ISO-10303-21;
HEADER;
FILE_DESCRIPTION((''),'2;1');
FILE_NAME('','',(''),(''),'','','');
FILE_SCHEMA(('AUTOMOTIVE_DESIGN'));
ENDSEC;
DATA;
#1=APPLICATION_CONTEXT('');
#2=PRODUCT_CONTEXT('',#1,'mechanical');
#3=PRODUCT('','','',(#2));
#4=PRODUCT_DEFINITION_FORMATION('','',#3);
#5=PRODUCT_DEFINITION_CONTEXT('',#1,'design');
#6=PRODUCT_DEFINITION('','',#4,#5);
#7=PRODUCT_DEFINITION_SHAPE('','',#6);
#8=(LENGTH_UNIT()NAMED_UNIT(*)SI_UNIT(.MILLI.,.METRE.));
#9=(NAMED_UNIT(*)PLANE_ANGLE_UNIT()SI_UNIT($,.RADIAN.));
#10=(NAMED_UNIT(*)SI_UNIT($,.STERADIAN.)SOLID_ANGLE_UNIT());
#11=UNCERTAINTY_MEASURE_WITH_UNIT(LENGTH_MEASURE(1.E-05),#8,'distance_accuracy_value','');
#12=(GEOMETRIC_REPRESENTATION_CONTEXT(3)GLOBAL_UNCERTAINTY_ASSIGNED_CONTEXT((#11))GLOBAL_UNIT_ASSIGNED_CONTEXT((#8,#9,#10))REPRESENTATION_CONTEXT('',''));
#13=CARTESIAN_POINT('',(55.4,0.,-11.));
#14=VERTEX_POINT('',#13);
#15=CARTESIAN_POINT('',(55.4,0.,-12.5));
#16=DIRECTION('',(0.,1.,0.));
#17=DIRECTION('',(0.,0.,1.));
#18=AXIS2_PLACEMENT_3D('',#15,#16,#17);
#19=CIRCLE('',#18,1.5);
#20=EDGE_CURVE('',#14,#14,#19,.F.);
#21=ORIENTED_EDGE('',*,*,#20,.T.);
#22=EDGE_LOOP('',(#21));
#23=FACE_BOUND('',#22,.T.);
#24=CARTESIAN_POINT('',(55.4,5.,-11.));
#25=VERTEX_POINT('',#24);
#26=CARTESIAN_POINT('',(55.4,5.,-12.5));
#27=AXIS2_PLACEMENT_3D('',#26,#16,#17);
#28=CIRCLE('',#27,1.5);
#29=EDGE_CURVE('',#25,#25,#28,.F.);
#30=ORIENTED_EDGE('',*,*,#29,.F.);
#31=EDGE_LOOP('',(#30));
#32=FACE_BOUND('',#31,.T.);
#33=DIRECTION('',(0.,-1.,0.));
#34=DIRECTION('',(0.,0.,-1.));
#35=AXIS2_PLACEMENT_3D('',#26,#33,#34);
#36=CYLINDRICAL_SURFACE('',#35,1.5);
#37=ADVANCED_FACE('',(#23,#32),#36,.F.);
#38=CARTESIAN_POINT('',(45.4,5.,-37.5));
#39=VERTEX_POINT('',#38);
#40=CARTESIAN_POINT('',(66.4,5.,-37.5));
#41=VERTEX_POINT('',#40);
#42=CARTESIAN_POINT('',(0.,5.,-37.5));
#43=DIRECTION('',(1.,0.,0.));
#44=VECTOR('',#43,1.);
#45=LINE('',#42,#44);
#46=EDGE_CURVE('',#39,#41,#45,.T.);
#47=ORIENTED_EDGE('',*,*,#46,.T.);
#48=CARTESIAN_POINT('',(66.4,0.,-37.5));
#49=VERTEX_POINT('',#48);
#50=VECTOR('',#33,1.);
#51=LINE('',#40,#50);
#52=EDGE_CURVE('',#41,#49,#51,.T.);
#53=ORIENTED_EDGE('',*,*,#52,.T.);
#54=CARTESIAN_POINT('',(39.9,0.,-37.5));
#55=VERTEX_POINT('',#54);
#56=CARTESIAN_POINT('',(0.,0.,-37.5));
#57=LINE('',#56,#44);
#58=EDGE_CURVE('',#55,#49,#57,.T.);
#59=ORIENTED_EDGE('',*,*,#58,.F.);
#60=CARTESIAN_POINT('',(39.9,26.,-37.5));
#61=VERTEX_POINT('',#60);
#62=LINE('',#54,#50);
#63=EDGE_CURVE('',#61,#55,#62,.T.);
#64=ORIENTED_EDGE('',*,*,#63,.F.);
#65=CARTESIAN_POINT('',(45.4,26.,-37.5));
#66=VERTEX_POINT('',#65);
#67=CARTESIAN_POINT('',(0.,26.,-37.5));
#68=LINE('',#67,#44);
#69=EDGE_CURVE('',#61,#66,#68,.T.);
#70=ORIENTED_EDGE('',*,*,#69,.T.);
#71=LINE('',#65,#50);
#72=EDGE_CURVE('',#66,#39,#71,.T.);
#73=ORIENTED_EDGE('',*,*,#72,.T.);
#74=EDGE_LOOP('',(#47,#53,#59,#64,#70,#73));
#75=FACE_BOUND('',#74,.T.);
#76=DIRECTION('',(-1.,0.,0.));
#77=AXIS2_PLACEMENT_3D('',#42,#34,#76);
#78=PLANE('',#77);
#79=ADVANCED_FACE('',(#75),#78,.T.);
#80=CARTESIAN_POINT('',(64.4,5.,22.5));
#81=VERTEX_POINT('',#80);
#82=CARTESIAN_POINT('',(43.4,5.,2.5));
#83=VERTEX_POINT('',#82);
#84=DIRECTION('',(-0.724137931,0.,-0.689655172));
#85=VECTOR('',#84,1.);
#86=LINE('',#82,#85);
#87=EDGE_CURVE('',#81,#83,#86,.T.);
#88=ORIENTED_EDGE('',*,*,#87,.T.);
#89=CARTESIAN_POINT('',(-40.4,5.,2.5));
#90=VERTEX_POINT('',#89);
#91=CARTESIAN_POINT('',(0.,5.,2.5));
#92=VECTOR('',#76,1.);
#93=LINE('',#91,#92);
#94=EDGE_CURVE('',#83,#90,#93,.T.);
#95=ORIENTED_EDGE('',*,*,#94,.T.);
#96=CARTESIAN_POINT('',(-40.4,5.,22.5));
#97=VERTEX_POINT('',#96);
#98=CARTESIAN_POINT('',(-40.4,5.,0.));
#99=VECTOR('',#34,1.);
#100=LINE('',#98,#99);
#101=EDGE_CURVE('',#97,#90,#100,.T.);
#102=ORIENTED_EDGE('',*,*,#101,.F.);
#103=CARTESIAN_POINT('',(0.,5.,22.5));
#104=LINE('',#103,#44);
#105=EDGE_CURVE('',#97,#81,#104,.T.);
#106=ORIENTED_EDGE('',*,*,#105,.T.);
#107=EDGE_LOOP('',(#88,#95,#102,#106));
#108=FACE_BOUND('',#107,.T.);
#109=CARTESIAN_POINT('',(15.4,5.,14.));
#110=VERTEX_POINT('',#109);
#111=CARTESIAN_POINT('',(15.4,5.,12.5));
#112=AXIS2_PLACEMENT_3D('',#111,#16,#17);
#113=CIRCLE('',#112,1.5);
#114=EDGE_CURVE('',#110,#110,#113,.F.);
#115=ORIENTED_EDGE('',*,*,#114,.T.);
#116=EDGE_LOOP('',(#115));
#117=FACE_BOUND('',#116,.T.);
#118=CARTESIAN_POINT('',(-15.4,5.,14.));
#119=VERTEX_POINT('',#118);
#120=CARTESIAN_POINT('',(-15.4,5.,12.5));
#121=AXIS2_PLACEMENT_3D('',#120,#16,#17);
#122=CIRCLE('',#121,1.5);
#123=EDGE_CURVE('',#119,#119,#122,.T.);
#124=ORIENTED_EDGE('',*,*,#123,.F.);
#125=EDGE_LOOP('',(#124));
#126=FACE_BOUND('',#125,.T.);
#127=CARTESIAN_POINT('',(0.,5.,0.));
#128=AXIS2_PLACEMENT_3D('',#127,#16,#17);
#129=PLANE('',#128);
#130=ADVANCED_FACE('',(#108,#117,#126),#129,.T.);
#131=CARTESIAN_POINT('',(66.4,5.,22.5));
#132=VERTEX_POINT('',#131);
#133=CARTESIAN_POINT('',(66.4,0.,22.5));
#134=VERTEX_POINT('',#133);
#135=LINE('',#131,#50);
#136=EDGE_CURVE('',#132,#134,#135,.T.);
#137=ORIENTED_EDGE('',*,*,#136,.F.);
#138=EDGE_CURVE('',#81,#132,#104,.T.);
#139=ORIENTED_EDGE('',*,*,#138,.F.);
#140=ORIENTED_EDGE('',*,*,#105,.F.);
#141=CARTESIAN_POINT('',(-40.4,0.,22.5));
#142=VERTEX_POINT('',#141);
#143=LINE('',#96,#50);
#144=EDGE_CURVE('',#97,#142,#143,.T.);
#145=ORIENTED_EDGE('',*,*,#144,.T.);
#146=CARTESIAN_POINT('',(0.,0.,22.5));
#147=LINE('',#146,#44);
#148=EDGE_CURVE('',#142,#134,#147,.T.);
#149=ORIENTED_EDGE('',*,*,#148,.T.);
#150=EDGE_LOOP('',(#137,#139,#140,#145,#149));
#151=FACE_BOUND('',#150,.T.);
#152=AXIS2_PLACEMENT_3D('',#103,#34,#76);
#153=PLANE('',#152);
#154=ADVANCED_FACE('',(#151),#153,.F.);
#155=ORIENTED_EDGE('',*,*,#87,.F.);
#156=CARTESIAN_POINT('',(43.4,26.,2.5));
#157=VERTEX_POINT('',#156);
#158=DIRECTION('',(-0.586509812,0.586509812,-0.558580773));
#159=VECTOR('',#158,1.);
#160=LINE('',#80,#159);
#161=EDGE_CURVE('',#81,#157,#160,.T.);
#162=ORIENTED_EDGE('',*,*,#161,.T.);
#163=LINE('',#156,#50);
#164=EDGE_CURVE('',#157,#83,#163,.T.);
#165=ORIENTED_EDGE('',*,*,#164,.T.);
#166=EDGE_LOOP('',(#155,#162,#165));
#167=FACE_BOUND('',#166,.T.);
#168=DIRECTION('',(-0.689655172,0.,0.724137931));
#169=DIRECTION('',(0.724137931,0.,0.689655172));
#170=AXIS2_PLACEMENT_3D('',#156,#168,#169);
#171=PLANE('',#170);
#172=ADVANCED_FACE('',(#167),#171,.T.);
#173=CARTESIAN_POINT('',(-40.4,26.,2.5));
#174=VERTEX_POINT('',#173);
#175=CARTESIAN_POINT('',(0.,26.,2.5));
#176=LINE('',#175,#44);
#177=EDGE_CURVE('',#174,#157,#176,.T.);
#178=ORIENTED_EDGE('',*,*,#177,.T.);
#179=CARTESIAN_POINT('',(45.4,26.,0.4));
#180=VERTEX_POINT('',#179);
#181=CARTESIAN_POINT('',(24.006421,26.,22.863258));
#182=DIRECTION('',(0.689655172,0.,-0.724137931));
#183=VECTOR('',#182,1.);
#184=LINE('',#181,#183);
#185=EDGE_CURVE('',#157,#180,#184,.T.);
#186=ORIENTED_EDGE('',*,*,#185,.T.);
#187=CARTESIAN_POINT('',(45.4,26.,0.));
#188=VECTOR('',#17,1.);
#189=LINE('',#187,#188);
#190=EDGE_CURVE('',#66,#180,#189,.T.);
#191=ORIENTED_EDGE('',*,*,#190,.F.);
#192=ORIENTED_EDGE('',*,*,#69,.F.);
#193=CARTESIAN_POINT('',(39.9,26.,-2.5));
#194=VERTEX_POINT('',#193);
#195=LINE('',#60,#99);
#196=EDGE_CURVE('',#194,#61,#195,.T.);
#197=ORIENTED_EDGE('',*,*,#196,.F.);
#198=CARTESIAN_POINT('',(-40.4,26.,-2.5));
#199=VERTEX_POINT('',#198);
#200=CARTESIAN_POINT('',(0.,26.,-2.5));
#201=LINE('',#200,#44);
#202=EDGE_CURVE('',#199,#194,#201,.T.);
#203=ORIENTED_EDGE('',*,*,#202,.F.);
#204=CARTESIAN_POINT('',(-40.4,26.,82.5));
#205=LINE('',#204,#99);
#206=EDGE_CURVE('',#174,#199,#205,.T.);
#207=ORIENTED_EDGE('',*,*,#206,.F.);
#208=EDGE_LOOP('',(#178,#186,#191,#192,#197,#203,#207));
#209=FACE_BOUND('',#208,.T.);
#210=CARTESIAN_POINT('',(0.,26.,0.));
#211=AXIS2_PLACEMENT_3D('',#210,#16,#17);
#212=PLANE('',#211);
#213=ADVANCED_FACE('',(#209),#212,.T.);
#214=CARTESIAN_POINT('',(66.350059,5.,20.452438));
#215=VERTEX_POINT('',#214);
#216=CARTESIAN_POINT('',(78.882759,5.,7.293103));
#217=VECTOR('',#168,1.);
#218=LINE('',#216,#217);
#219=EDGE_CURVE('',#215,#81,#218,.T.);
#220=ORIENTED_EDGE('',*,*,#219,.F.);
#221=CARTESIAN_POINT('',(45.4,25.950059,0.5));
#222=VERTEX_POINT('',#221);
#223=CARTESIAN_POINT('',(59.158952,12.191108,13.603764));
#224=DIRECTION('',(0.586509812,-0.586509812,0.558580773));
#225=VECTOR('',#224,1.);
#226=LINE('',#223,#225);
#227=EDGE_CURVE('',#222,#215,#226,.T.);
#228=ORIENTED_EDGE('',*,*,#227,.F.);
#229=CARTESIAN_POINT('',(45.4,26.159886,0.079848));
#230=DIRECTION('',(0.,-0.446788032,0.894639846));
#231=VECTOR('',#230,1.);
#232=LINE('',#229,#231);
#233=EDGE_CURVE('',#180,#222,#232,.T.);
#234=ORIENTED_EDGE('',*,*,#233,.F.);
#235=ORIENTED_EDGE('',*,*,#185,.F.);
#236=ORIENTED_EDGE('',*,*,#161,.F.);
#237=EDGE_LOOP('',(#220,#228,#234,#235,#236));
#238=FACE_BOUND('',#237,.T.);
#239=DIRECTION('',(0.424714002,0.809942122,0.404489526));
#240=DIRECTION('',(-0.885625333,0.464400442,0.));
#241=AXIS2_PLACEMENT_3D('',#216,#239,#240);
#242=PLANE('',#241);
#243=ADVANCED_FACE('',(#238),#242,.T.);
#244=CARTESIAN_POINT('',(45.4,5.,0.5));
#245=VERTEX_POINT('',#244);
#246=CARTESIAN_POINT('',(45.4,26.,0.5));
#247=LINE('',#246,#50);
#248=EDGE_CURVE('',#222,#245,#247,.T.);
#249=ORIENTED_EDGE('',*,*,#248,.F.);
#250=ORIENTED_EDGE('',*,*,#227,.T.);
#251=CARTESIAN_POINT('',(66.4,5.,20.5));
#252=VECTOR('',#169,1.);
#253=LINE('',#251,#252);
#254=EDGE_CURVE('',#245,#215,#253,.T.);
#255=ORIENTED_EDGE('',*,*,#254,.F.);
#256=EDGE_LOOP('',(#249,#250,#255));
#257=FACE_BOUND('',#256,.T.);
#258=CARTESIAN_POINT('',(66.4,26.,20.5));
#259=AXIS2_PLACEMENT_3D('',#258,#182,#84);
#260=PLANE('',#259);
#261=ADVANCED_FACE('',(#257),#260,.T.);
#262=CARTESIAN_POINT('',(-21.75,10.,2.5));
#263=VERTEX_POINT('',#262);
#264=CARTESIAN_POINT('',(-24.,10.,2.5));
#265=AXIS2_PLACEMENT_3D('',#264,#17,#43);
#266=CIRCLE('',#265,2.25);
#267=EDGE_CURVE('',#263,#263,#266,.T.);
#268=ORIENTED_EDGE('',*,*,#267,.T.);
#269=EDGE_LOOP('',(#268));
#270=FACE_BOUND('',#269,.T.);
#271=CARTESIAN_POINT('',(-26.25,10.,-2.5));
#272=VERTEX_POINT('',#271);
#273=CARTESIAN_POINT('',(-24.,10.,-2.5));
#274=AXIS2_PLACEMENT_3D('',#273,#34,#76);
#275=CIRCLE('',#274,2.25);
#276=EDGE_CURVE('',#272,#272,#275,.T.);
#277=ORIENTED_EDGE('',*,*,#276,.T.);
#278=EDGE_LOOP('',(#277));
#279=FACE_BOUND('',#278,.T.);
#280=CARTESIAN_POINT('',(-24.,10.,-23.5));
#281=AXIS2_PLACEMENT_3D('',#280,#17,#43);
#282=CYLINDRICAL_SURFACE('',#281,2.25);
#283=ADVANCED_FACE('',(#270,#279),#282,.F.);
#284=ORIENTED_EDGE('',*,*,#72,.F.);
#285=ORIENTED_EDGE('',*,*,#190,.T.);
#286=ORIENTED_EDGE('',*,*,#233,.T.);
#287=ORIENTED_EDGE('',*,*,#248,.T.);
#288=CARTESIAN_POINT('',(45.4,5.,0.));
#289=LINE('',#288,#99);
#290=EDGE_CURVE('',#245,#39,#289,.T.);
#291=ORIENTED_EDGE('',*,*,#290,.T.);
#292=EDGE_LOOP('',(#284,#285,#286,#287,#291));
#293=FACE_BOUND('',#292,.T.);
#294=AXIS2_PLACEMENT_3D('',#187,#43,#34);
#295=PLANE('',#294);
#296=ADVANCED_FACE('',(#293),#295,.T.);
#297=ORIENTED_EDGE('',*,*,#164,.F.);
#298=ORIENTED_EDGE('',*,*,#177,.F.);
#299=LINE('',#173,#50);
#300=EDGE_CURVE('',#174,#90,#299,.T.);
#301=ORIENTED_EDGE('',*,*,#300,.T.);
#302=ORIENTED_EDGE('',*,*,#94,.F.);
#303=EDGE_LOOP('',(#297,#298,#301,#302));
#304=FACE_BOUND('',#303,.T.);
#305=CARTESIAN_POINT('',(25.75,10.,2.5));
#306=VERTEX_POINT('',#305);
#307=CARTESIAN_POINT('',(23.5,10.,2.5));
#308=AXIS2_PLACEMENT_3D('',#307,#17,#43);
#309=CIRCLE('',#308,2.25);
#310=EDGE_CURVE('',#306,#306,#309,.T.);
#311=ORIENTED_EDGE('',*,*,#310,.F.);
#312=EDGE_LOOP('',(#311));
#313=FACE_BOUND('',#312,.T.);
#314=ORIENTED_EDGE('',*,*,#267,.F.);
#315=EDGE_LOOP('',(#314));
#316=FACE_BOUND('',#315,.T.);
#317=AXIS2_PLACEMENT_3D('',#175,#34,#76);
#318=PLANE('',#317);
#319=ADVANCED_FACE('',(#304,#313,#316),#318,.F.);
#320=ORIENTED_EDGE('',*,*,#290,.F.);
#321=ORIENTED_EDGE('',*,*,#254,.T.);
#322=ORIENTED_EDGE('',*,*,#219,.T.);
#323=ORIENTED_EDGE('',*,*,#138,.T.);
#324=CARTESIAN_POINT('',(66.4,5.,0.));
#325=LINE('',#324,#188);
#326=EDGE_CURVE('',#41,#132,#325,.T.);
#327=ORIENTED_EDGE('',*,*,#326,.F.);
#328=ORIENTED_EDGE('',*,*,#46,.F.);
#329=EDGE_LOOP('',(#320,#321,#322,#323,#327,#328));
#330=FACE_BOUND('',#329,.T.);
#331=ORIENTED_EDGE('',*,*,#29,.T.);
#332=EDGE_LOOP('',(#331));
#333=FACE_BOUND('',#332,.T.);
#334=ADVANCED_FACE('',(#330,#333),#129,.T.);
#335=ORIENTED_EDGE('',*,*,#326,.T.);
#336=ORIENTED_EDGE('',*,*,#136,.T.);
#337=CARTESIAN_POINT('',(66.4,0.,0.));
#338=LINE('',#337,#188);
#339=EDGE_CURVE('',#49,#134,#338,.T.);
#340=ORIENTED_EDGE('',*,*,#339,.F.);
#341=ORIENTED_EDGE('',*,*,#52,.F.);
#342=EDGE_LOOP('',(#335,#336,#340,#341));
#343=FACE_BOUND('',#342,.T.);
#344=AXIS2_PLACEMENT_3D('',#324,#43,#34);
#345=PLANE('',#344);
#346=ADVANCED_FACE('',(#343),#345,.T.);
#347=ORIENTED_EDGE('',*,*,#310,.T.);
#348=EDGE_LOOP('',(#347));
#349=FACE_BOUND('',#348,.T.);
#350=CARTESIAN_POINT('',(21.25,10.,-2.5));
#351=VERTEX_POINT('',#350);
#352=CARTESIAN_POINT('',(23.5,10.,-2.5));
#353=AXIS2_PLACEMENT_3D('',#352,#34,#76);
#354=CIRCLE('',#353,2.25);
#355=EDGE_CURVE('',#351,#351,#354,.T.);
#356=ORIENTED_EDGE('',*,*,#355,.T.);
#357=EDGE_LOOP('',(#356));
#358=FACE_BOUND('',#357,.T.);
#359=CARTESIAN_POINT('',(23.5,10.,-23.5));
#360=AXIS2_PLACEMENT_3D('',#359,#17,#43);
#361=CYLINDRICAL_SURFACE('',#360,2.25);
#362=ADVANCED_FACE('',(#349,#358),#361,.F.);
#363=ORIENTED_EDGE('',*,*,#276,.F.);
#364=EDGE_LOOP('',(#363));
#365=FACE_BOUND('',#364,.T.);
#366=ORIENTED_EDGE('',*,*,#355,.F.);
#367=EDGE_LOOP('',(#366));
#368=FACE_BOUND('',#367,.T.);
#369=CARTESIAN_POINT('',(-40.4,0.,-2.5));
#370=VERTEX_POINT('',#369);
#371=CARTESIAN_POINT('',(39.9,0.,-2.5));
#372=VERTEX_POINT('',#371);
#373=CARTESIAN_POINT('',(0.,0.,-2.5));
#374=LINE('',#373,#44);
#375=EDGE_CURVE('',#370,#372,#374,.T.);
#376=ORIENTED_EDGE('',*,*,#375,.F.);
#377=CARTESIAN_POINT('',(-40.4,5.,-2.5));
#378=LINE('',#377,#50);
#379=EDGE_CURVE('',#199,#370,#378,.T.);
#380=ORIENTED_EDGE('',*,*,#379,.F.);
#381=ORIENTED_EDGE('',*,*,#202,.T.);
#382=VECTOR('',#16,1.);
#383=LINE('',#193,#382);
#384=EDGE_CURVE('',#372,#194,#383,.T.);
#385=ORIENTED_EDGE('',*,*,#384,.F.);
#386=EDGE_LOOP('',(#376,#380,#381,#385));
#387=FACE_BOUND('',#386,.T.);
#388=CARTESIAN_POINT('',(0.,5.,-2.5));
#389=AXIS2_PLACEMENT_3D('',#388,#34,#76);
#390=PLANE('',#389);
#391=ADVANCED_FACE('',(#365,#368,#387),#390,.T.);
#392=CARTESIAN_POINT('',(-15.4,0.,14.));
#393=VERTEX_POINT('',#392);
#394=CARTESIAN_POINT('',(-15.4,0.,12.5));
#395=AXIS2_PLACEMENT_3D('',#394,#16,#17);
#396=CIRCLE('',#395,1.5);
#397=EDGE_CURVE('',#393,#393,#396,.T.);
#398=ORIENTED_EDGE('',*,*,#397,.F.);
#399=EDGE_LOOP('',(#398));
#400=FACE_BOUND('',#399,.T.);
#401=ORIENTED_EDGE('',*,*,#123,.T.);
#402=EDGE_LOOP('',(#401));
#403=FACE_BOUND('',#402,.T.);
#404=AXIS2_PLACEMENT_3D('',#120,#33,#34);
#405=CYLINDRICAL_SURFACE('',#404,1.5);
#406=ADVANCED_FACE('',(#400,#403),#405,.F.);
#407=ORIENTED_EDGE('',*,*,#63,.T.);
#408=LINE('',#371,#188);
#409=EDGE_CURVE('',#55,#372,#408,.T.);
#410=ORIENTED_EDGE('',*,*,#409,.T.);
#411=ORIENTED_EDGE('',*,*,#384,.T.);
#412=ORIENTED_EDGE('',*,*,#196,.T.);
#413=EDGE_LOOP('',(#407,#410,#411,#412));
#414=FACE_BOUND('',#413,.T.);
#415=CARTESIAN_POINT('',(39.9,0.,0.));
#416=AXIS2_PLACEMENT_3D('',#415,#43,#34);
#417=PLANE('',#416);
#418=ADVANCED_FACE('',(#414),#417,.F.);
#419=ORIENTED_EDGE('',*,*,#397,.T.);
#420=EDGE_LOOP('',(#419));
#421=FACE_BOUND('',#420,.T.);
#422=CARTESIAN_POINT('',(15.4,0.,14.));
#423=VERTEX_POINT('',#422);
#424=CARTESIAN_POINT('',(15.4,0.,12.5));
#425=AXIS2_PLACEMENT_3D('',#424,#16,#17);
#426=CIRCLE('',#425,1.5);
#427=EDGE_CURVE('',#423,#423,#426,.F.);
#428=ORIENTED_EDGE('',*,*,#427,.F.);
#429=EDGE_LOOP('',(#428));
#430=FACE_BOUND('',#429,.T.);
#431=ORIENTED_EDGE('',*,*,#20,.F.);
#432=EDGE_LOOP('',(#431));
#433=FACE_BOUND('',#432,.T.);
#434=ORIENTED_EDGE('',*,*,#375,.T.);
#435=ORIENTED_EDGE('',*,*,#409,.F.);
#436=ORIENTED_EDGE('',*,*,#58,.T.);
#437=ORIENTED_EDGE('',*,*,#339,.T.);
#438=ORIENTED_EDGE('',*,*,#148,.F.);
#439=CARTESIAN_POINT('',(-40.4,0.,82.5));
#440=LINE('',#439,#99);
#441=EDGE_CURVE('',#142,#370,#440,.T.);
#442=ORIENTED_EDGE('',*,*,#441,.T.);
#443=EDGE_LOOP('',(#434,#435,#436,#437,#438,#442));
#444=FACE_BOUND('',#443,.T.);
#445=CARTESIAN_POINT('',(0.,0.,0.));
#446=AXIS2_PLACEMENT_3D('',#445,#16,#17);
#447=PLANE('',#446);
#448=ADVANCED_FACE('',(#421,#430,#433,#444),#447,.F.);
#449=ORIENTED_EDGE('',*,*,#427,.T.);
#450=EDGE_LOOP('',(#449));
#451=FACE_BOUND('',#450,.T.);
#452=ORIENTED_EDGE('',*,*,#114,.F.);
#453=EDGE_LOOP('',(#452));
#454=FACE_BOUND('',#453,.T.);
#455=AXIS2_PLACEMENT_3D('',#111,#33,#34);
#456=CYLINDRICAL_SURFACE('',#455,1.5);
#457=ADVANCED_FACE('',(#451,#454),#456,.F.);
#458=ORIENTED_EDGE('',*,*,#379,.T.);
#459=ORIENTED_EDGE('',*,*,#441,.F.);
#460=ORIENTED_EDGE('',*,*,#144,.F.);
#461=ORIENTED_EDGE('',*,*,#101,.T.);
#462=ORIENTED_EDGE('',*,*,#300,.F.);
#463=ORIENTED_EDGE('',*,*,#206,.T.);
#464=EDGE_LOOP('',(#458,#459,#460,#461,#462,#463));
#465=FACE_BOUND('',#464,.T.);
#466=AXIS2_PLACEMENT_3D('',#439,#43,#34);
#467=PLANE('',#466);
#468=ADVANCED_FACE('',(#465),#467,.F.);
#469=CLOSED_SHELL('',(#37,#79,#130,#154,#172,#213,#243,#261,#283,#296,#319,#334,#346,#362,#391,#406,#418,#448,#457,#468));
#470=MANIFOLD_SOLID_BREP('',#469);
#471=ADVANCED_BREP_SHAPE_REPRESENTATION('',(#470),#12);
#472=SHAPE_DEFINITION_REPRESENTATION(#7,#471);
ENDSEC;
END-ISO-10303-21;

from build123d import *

# Parameters (mm, degrees)
CROQUIS1_W              = 80.8
CROQUIS1_H              = 25
CROQUIS1_R              = 1.5
SALIENTE_EXTRUIR1_DEPTH = 5
CROQUIS1_3_W            = 80.8
CROQUIS1_3_H            = 5
SALIENTE_EXTRUIR2_DEPTH = 26
CROQUIS1_4_W            = 26
CROQUIS1_4_H            = 60
CROQUIS1_4_R            = 1.5
SALIENTE_EXTRUIR3_DEPTH = 5
CROQUIS1_5_W            = 5
CROQUIS1_5_H            = 40
SALIENTE_EXTRUIR4_DEPTH = 26
CROQUIS3_R              = 2.25
CORTAR_EXTRUIR1_DEPTH   = 26
SALIENTE_EXTRUIR5_DEPTH = 21
CORTAR_EXTRUIR2_DEPTH   = 21
CROQUIS6_W              = 37.983880197
CROQUIS6_H              = 26
CORTAR_EXTRUIR3_DEPTH   = 120
CROQUIS7_W              = 35
CROQUIS7_H              = 26
SALIENTE_EXTRUIR6_DEPTH = 0.5


with BuildPart() as part:
    # Croquis1 → Saliente-Extruir1 (new body)
    with BuildSketch(Plane(origin=(0, 0, 0), x_dir=(1, 0, 0), z_dir=(0, 1, 0))):
        with Locations((0, -10)):
            Rectangle(CROQUIS1_W, CROQUIS1_H)
        with Locations((15.4, -12.5)):
            Circle(CROQUIS1_R, mode=Mode.SUBTRACT)
        with Locations((-15.4, -12.5)):
            Circle(CROQUIS1_R, mode=Mode.SUBTRACT)
    extrude(amount=SALIENTE_EXTRUIR1_DEPTH)

    # Croquis1<3> → Saliente-Extruir2 (add)
    with BuildSketch(Plane(origin=(0, 0, 0), x_dir=(1, 0, 0), z_dir=(0, 1, 0))):
        Rectangle(CROQUIS1_3_W, CROQUIS1_3_H)
    extrude(amount=SALIENTE_EXTRUIR2_DEPTH)

    # Croquis1<4> → Saliente-Extruir3 (add)
    # profile 1 of 2: a face of its own
    with BuildSketch(Plane(origin=(0, 0, 0), x_dir=(1, 0, 0), z_dir=(0, 1, 0))):
        with Locations((-53.4, 7.5)):
            Rectangle(CROQUIS1_4_W, CROQUIS1_4_H)
        with Locations((-55.4, 12.5)):
            Circle(CROQUIS1_4_R, mode=Mode.SUBTRACT)
    # profile 2 of 2: a face of its own
    with BuildSketch(Plane(origin=(0, 0, 0), x_dir=(1, 0, 0), z_dir=(0, 1, 0))):
        with Locations((53.4, 7.5)):
            Rectangle(CROQUIS1_4_W, CROQUIS1_4_H)
        with Locations((55.4, 12.5)):
            Circle(CROQUIS1_4_R, mode=Mode.SUBTRACT)
    extrude(amount=SALIENTE_EXTRUIR3_DEPTH)

    # Croquis1<5> → Saliente-Extruir4 (add)
    with BuildSketch(Plane(origin=(0, 0, 0), x_dir=(1, 0, 0), z_dir=(0, 1, 0))):
        with Locations((-42.9, 17.5)):
            Rectangle(CROQUIS1_5_W, CROQUIS1_5_H)
        with Locations((42.9, 17.5)):
            Rectangle(CROQUIS1_5_W, CROQUIS1_5_H)
    extrude(amount=SALIENTE_EXTRUIR4_DEPTH)

    # Croquis3 → Cortar-Extruir1 (cut)
    with BuildSketch(Plane.XY.offset(2.5)):
        with Locations((-24, 10)):
            Circle(CROQUIS3_R)
        with Locations((23.5, 10)):
            Circle(CROQUIS3_R)
    extrude(amount=-CORTAR_EXTRUIR1_DEPTH, mode=Mode.SUBTRACT)

    # Croquis4 → Saliente-Extruir5 (add)
    with BuildSketch(Plane(origin=(0, 5, 0), x_dir=(1, 0, 0), z_dir=(0, 1, 0))):
        Polygon((-45.4, -0.5), (-45.4, -2.5), (-43.4, -2.5), (-64.4, -22.5), (-66.4, -22.5), (-66.4, -20.5), align=None)
    saliente_extruir5 = extrude(amount=SALIENTE_EXTRUIR5_DEPTH)

    # Croquis5 → Cortar-Extruir2 (cut)
    with BuildSketch(Plane(origin=(-19.393579073, 0, -20.363258026), x_dir=(0.7241379310344827, 0, -0.6896551724137933), z_dir=(0.6896551724137933, 0, 0.7241379310344827))):
        Polygon((-62.151724138, 5), (-33.151724138, 26), (-26.486949689, 30.82621598), (-82.759555013, 33.403814281), (-84.060607683, 5), align=None)
    cortar_extruir2 = extrude(amount=-CORTAR_EXTRUIR2_DEPTH, mode=Mode.SUBTRACT)

    # Simetría1: Saliente-Extruir5 across plane
    add(saliente_extruir5.mirror(Plane(origin=(0, 0, 0), x_dir=(0, 0, 1), z_dir=(1, 0, 0))))

    # Simetría2: Cortar-Extruir2 across plane
    add(cortar_extruir2.mirror(Plane(origin=(0, 0, 0), x_dir=(0, 0, 1), z_dir=(1, 0, 0))), mode=Mode.SUBTRACT)

    # Croquis6 → Cortar-Extruir3 (cut)
    with BuildSketch(Plane(origin=(0, 0, -37.5), x_dir=(-1, 0, 0), z_dir=(0, 0, -1))):
        with Locations((59.391940099, 13)):
            Rectangle(CROQUIS6_W, CROQUIS6_H)
    extrude(amount=-CORTAR_EXTRUIR3_DEPTH, mode=Mode.SUBTRACT)

    # Croquis7 → Saliente-Extruir6 (add)
    with BuildSketch(Plane.ZY.offset(-40.4)):
        with Locations((-20, 13)):
            Rectangle(CROQUIS7_W, CROQUIS7_H)
    extrude(amount=SALIENTE_EXTRUIR6_DEPTH)


solid = part.part
